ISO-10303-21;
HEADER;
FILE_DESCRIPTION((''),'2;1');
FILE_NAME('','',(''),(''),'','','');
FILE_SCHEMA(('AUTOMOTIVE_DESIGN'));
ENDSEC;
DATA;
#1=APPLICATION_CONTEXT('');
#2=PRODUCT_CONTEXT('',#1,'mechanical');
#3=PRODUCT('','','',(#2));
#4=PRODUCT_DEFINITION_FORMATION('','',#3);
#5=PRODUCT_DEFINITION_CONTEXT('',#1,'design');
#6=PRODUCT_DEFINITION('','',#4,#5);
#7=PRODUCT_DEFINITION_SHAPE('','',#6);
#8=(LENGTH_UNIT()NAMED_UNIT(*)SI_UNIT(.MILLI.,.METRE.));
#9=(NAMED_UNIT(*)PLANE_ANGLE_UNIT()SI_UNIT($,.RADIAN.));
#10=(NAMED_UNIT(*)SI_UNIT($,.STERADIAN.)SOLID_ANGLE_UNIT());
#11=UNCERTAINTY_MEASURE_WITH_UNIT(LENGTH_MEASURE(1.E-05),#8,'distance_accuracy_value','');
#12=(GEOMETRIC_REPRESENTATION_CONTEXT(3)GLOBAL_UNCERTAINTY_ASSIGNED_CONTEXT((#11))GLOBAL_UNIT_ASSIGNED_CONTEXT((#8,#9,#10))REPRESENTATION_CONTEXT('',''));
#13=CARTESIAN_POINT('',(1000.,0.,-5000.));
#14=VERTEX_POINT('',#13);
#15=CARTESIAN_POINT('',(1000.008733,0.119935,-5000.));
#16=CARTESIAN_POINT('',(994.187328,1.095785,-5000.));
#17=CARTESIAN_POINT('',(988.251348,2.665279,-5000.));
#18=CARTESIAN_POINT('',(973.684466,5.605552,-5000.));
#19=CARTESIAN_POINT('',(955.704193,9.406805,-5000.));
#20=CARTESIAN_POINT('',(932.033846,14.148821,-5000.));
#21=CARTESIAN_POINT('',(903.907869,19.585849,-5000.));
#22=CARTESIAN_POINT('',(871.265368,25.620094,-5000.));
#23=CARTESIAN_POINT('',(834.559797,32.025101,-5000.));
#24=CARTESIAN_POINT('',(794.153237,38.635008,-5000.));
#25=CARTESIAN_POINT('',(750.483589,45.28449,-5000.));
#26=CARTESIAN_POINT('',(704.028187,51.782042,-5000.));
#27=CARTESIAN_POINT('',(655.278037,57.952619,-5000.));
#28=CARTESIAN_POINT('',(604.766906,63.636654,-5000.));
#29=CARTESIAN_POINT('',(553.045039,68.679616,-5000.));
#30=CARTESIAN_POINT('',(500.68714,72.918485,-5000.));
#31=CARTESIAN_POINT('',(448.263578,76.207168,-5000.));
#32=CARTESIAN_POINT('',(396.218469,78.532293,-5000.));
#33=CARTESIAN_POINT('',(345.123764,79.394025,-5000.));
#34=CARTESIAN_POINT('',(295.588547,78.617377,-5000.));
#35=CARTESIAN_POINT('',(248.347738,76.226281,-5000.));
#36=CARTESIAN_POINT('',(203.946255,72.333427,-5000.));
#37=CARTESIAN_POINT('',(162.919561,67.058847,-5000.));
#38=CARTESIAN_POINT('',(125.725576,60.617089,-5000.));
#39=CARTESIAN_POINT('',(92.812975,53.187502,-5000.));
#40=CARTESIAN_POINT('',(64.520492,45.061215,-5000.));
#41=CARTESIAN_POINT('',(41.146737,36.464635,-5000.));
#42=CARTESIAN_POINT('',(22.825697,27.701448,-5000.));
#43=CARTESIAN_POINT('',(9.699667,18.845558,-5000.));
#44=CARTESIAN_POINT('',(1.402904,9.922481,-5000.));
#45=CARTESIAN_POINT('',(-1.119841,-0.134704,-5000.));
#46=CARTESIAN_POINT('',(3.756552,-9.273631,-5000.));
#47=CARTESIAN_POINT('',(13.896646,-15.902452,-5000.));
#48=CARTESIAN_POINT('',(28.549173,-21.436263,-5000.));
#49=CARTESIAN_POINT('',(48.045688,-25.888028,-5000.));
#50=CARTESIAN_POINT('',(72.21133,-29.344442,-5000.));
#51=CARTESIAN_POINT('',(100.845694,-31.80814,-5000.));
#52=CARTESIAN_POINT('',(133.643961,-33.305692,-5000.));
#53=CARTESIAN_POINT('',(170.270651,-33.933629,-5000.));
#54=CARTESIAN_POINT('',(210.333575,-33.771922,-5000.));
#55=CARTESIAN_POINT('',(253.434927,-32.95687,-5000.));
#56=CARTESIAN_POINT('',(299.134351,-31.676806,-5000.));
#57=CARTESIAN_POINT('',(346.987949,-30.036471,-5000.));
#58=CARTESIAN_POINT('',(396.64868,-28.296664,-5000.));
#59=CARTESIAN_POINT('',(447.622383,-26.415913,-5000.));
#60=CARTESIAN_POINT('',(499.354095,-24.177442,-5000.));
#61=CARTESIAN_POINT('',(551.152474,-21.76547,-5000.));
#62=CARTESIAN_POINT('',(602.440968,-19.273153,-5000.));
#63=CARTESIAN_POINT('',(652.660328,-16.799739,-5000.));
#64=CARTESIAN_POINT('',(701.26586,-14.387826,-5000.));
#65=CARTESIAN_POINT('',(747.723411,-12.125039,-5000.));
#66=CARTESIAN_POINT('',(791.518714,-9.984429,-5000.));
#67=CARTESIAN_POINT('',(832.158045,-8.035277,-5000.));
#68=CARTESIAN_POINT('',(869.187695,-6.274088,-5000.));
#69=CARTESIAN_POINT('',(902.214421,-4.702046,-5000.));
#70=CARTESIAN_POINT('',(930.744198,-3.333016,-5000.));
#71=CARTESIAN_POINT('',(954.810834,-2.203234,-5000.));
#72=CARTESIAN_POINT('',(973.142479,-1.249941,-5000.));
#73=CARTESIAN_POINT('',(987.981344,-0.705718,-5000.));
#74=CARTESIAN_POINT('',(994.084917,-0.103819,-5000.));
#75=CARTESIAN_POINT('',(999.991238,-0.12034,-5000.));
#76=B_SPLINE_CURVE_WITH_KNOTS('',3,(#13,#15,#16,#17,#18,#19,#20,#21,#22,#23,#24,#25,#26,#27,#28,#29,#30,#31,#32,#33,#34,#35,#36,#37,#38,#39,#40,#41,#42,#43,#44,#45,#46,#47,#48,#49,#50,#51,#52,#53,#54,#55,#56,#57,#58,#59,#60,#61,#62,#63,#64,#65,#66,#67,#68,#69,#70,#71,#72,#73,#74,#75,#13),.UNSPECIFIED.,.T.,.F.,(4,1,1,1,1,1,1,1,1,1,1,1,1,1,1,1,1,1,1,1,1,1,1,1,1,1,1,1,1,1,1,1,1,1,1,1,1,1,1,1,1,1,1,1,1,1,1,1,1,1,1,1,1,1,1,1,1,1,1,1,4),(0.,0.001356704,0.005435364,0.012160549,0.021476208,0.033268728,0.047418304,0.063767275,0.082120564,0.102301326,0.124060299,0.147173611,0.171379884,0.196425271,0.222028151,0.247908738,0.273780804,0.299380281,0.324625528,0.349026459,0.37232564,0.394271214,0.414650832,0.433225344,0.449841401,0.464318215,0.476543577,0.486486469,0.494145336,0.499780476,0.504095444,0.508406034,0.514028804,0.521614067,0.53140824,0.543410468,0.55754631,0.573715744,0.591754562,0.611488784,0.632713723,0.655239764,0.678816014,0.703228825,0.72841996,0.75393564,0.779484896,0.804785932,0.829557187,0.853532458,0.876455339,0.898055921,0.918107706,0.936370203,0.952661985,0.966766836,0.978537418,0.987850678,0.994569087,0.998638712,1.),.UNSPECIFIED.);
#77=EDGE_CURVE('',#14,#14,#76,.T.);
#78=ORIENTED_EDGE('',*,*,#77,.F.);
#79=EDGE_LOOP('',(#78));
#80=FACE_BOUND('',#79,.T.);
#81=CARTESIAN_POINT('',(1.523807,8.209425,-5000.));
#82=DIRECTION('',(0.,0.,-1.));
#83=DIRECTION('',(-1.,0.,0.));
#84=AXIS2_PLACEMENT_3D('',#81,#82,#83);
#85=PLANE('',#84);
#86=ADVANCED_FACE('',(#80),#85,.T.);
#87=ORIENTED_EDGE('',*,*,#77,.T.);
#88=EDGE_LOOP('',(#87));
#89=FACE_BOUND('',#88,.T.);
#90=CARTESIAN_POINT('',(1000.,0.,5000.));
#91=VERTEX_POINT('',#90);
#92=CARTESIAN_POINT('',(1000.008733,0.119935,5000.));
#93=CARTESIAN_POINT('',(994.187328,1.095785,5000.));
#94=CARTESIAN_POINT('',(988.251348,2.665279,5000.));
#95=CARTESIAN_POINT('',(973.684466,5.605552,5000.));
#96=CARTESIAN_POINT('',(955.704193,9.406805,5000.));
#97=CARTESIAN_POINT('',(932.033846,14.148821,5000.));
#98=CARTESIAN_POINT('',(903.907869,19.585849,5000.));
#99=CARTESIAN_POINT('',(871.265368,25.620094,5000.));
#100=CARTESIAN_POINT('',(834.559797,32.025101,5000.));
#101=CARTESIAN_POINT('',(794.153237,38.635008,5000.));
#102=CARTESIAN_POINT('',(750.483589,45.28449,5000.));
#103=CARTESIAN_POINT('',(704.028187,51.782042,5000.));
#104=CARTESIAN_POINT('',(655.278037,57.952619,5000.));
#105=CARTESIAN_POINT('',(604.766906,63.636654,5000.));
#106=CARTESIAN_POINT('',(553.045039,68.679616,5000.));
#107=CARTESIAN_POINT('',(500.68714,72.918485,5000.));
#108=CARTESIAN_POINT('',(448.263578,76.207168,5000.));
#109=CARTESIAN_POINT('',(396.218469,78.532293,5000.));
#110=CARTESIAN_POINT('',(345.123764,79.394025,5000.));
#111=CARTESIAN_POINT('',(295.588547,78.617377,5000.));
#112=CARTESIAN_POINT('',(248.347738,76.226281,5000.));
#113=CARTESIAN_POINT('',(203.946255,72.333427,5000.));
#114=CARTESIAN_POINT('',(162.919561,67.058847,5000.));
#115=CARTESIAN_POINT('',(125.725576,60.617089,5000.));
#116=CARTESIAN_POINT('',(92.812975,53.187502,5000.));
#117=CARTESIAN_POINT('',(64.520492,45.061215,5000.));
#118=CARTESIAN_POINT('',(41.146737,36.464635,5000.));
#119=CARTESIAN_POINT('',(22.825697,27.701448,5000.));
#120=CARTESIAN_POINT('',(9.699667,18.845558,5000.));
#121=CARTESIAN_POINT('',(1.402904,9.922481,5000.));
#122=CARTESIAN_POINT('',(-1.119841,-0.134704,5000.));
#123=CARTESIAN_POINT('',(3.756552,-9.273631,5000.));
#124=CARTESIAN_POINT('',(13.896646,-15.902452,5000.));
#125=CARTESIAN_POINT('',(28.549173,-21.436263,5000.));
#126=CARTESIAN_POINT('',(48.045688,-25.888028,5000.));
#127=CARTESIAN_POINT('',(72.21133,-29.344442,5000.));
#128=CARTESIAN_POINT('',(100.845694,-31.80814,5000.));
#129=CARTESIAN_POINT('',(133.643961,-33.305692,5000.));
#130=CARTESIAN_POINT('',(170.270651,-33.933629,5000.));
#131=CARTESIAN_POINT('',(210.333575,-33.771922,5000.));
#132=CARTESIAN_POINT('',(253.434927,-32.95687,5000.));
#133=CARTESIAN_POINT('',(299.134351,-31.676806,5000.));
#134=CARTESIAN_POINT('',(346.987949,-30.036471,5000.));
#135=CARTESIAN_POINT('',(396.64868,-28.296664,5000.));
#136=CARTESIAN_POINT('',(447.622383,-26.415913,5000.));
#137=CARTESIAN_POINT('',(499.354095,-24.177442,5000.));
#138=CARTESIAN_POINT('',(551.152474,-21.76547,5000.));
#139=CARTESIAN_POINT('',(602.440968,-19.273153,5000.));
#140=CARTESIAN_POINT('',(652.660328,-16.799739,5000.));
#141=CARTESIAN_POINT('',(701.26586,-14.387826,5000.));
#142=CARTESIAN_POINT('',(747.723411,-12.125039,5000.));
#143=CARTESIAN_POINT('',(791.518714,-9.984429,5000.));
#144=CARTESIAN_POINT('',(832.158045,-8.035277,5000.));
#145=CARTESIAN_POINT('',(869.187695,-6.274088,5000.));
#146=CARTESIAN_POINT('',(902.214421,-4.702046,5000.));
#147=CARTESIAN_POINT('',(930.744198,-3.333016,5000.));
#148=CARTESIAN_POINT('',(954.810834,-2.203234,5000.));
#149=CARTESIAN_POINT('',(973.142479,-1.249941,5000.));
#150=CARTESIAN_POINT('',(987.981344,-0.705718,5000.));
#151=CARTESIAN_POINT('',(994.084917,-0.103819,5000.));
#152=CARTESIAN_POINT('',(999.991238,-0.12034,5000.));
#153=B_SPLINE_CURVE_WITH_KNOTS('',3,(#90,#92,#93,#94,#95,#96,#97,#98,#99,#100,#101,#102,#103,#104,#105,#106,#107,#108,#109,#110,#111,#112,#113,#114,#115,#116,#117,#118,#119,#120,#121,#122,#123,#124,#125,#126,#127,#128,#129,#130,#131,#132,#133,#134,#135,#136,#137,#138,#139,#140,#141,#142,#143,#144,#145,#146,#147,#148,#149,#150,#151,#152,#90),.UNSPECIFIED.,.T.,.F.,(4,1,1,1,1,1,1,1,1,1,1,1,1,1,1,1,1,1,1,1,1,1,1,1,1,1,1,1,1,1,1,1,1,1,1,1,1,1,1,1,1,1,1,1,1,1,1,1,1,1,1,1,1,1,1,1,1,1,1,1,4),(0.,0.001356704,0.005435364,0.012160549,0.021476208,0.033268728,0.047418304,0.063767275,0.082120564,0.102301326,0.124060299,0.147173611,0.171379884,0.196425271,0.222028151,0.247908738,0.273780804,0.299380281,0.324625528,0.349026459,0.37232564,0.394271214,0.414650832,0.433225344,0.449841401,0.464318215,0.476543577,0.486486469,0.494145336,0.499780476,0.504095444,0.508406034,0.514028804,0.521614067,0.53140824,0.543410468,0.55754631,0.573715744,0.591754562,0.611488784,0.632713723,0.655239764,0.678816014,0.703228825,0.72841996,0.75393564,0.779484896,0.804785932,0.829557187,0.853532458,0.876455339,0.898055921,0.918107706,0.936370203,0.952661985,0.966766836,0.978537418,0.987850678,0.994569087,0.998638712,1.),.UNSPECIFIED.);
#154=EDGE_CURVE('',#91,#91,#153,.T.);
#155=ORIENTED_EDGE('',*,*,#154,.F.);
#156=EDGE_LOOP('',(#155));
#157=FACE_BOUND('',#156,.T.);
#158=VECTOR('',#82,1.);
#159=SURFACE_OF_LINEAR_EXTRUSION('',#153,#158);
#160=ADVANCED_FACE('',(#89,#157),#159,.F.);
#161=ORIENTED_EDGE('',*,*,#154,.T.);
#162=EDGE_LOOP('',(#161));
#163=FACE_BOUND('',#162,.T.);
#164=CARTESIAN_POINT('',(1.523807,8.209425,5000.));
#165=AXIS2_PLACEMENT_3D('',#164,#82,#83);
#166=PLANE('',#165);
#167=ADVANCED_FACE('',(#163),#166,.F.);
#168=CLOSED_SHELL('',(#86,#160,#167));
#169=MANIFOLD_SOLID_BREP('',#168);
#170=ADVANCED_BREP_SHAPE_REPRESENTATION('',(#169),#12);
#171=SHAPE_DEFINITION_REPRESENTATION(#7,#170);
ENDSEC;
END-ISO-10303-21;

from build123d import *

# Parameters (mm, degrees)
BOSS_EXTRUDE1_DEPTH = 5000


with BuildPart() as part:
    # Sketch1 → Boss-Extrude1 (new, symmetric)
    with BuildSketch(Plane.XY):
        with BuildLine():
            add(Edge.make_bspline(
                [(1000, 0), (1000.008732575, 0.119934673), (994.187328475, 1.095784731), (988.251348446, 2.665278865), (973.684466483, 5.605552362), (955.704193065, 9.406804905), (932.033845609, 14.148821253), (903.907868573, 19.585849032), (871.265367886, 25.620094404), (834.559796689, 32.025101031), (794.153237065, 38.635008087), (750.483589178, 45.284490242), (704.028186518, 51.782042159), (655.278036723, 57.952618949), (604.766905697, 63.636654415), (553.045039244, 68.679616497), (500.687139828, 72.918485351), (448.263577724, 76.207167966), (396.21846862, 78.532292844), (345.123763577, 79.394025154), (295.5885467, 78.617376502), (248.347738408, 76.226280652), (203.946254759, 72.333427292), (162.919560592, 67.058846851), (125.725576031, 60.617089261), (92.812975019, 53.187501619), (64.520492058, 45.061214649), (41.146737262, 36.464635167), (22.82569661, 27.701447857), (9.699666673, 18.845558343), (1.40290372, 9.922481264), (-1.11984119, -0.134704317), (3.756551554, -9.27363119), (13.896645859, -15.902451596), (28.549172986, -21.436262672), (48.045688358, -25.888027759), (72.211329883, -29.344441639), (100.845694496, -31.808139969), (133.643960932, -33.305691521), (170.270650663, -33.93362889), (210.333575175, -33.771921588), (253.434927087, -32.956870104), (299.134351362, -31.676805698), (346.987948532, -30.036471481), (396.648680131, -28.29666423), (447.622383274, -26.415912735), (499.3540949, -24.177442288), (551.152474125, -21.765469822), (602.440968269, -19.273153211), (652.660327747, -16.79973851), (701.265859538, -14.38782564), (747.72341067, -12.125039109), (791.51871415, -9.984428896), (832.158044684, -8.035277352), (869.187695267, -6.274087529), (902.214420858, -4.702046353), (930.744197997, -3.33301569), (954.810833725, -2.203233614), (973.142478811, -1.249941335), (987.981344419, -0.70571823), (994.084917377, -0.103818704), (999.99123792, -0.120339889), (1000, 0)],
                knots=[0, 0, 0, 0, 0.001356704, 0.005435364, 0.012160549, 0.021476208, 0.033268728, 0.047418304, 0.063767275, 0.082120564, 0.102301326, 0.124060299, 0.147173611, 0.171379884, 0.196425271, 0.222028151, 0.247908738, 0.273780804, 0.299380281, 0.324625528, 0.349026459, 0.37232564, 0.394271214, 0.414650832, 0.433225344, 0.449841401, 0.464318215, 0.476543577, 0.486486469, 0.494145336, 0.499780476, 0.504095444, 0.508406034, 0.514028804, 0.521614067, 0.53140824, 0.543410468, 0.55754631, 0.573715744, 0.591754562, 0.611488784, 0.632713723, 0.655239764, 0.678816014, 0.703228825, 0.72841996, 0.75393564, 0.779484896, 0.804785932, 0.829557187, 0.853532458, 0.876455339, 0.898055921, 0.918107706, 0.936370203, 0.952661985, 0.966766836, 0.978537418, 0.987850678, 0.994569087, 0.998638712, 1, 1, 1, 1], degree=3))
        make_face()
    extrude(amount=BOSS_EXTRUDE1_DEPTH, both=True)


solid = part.part
